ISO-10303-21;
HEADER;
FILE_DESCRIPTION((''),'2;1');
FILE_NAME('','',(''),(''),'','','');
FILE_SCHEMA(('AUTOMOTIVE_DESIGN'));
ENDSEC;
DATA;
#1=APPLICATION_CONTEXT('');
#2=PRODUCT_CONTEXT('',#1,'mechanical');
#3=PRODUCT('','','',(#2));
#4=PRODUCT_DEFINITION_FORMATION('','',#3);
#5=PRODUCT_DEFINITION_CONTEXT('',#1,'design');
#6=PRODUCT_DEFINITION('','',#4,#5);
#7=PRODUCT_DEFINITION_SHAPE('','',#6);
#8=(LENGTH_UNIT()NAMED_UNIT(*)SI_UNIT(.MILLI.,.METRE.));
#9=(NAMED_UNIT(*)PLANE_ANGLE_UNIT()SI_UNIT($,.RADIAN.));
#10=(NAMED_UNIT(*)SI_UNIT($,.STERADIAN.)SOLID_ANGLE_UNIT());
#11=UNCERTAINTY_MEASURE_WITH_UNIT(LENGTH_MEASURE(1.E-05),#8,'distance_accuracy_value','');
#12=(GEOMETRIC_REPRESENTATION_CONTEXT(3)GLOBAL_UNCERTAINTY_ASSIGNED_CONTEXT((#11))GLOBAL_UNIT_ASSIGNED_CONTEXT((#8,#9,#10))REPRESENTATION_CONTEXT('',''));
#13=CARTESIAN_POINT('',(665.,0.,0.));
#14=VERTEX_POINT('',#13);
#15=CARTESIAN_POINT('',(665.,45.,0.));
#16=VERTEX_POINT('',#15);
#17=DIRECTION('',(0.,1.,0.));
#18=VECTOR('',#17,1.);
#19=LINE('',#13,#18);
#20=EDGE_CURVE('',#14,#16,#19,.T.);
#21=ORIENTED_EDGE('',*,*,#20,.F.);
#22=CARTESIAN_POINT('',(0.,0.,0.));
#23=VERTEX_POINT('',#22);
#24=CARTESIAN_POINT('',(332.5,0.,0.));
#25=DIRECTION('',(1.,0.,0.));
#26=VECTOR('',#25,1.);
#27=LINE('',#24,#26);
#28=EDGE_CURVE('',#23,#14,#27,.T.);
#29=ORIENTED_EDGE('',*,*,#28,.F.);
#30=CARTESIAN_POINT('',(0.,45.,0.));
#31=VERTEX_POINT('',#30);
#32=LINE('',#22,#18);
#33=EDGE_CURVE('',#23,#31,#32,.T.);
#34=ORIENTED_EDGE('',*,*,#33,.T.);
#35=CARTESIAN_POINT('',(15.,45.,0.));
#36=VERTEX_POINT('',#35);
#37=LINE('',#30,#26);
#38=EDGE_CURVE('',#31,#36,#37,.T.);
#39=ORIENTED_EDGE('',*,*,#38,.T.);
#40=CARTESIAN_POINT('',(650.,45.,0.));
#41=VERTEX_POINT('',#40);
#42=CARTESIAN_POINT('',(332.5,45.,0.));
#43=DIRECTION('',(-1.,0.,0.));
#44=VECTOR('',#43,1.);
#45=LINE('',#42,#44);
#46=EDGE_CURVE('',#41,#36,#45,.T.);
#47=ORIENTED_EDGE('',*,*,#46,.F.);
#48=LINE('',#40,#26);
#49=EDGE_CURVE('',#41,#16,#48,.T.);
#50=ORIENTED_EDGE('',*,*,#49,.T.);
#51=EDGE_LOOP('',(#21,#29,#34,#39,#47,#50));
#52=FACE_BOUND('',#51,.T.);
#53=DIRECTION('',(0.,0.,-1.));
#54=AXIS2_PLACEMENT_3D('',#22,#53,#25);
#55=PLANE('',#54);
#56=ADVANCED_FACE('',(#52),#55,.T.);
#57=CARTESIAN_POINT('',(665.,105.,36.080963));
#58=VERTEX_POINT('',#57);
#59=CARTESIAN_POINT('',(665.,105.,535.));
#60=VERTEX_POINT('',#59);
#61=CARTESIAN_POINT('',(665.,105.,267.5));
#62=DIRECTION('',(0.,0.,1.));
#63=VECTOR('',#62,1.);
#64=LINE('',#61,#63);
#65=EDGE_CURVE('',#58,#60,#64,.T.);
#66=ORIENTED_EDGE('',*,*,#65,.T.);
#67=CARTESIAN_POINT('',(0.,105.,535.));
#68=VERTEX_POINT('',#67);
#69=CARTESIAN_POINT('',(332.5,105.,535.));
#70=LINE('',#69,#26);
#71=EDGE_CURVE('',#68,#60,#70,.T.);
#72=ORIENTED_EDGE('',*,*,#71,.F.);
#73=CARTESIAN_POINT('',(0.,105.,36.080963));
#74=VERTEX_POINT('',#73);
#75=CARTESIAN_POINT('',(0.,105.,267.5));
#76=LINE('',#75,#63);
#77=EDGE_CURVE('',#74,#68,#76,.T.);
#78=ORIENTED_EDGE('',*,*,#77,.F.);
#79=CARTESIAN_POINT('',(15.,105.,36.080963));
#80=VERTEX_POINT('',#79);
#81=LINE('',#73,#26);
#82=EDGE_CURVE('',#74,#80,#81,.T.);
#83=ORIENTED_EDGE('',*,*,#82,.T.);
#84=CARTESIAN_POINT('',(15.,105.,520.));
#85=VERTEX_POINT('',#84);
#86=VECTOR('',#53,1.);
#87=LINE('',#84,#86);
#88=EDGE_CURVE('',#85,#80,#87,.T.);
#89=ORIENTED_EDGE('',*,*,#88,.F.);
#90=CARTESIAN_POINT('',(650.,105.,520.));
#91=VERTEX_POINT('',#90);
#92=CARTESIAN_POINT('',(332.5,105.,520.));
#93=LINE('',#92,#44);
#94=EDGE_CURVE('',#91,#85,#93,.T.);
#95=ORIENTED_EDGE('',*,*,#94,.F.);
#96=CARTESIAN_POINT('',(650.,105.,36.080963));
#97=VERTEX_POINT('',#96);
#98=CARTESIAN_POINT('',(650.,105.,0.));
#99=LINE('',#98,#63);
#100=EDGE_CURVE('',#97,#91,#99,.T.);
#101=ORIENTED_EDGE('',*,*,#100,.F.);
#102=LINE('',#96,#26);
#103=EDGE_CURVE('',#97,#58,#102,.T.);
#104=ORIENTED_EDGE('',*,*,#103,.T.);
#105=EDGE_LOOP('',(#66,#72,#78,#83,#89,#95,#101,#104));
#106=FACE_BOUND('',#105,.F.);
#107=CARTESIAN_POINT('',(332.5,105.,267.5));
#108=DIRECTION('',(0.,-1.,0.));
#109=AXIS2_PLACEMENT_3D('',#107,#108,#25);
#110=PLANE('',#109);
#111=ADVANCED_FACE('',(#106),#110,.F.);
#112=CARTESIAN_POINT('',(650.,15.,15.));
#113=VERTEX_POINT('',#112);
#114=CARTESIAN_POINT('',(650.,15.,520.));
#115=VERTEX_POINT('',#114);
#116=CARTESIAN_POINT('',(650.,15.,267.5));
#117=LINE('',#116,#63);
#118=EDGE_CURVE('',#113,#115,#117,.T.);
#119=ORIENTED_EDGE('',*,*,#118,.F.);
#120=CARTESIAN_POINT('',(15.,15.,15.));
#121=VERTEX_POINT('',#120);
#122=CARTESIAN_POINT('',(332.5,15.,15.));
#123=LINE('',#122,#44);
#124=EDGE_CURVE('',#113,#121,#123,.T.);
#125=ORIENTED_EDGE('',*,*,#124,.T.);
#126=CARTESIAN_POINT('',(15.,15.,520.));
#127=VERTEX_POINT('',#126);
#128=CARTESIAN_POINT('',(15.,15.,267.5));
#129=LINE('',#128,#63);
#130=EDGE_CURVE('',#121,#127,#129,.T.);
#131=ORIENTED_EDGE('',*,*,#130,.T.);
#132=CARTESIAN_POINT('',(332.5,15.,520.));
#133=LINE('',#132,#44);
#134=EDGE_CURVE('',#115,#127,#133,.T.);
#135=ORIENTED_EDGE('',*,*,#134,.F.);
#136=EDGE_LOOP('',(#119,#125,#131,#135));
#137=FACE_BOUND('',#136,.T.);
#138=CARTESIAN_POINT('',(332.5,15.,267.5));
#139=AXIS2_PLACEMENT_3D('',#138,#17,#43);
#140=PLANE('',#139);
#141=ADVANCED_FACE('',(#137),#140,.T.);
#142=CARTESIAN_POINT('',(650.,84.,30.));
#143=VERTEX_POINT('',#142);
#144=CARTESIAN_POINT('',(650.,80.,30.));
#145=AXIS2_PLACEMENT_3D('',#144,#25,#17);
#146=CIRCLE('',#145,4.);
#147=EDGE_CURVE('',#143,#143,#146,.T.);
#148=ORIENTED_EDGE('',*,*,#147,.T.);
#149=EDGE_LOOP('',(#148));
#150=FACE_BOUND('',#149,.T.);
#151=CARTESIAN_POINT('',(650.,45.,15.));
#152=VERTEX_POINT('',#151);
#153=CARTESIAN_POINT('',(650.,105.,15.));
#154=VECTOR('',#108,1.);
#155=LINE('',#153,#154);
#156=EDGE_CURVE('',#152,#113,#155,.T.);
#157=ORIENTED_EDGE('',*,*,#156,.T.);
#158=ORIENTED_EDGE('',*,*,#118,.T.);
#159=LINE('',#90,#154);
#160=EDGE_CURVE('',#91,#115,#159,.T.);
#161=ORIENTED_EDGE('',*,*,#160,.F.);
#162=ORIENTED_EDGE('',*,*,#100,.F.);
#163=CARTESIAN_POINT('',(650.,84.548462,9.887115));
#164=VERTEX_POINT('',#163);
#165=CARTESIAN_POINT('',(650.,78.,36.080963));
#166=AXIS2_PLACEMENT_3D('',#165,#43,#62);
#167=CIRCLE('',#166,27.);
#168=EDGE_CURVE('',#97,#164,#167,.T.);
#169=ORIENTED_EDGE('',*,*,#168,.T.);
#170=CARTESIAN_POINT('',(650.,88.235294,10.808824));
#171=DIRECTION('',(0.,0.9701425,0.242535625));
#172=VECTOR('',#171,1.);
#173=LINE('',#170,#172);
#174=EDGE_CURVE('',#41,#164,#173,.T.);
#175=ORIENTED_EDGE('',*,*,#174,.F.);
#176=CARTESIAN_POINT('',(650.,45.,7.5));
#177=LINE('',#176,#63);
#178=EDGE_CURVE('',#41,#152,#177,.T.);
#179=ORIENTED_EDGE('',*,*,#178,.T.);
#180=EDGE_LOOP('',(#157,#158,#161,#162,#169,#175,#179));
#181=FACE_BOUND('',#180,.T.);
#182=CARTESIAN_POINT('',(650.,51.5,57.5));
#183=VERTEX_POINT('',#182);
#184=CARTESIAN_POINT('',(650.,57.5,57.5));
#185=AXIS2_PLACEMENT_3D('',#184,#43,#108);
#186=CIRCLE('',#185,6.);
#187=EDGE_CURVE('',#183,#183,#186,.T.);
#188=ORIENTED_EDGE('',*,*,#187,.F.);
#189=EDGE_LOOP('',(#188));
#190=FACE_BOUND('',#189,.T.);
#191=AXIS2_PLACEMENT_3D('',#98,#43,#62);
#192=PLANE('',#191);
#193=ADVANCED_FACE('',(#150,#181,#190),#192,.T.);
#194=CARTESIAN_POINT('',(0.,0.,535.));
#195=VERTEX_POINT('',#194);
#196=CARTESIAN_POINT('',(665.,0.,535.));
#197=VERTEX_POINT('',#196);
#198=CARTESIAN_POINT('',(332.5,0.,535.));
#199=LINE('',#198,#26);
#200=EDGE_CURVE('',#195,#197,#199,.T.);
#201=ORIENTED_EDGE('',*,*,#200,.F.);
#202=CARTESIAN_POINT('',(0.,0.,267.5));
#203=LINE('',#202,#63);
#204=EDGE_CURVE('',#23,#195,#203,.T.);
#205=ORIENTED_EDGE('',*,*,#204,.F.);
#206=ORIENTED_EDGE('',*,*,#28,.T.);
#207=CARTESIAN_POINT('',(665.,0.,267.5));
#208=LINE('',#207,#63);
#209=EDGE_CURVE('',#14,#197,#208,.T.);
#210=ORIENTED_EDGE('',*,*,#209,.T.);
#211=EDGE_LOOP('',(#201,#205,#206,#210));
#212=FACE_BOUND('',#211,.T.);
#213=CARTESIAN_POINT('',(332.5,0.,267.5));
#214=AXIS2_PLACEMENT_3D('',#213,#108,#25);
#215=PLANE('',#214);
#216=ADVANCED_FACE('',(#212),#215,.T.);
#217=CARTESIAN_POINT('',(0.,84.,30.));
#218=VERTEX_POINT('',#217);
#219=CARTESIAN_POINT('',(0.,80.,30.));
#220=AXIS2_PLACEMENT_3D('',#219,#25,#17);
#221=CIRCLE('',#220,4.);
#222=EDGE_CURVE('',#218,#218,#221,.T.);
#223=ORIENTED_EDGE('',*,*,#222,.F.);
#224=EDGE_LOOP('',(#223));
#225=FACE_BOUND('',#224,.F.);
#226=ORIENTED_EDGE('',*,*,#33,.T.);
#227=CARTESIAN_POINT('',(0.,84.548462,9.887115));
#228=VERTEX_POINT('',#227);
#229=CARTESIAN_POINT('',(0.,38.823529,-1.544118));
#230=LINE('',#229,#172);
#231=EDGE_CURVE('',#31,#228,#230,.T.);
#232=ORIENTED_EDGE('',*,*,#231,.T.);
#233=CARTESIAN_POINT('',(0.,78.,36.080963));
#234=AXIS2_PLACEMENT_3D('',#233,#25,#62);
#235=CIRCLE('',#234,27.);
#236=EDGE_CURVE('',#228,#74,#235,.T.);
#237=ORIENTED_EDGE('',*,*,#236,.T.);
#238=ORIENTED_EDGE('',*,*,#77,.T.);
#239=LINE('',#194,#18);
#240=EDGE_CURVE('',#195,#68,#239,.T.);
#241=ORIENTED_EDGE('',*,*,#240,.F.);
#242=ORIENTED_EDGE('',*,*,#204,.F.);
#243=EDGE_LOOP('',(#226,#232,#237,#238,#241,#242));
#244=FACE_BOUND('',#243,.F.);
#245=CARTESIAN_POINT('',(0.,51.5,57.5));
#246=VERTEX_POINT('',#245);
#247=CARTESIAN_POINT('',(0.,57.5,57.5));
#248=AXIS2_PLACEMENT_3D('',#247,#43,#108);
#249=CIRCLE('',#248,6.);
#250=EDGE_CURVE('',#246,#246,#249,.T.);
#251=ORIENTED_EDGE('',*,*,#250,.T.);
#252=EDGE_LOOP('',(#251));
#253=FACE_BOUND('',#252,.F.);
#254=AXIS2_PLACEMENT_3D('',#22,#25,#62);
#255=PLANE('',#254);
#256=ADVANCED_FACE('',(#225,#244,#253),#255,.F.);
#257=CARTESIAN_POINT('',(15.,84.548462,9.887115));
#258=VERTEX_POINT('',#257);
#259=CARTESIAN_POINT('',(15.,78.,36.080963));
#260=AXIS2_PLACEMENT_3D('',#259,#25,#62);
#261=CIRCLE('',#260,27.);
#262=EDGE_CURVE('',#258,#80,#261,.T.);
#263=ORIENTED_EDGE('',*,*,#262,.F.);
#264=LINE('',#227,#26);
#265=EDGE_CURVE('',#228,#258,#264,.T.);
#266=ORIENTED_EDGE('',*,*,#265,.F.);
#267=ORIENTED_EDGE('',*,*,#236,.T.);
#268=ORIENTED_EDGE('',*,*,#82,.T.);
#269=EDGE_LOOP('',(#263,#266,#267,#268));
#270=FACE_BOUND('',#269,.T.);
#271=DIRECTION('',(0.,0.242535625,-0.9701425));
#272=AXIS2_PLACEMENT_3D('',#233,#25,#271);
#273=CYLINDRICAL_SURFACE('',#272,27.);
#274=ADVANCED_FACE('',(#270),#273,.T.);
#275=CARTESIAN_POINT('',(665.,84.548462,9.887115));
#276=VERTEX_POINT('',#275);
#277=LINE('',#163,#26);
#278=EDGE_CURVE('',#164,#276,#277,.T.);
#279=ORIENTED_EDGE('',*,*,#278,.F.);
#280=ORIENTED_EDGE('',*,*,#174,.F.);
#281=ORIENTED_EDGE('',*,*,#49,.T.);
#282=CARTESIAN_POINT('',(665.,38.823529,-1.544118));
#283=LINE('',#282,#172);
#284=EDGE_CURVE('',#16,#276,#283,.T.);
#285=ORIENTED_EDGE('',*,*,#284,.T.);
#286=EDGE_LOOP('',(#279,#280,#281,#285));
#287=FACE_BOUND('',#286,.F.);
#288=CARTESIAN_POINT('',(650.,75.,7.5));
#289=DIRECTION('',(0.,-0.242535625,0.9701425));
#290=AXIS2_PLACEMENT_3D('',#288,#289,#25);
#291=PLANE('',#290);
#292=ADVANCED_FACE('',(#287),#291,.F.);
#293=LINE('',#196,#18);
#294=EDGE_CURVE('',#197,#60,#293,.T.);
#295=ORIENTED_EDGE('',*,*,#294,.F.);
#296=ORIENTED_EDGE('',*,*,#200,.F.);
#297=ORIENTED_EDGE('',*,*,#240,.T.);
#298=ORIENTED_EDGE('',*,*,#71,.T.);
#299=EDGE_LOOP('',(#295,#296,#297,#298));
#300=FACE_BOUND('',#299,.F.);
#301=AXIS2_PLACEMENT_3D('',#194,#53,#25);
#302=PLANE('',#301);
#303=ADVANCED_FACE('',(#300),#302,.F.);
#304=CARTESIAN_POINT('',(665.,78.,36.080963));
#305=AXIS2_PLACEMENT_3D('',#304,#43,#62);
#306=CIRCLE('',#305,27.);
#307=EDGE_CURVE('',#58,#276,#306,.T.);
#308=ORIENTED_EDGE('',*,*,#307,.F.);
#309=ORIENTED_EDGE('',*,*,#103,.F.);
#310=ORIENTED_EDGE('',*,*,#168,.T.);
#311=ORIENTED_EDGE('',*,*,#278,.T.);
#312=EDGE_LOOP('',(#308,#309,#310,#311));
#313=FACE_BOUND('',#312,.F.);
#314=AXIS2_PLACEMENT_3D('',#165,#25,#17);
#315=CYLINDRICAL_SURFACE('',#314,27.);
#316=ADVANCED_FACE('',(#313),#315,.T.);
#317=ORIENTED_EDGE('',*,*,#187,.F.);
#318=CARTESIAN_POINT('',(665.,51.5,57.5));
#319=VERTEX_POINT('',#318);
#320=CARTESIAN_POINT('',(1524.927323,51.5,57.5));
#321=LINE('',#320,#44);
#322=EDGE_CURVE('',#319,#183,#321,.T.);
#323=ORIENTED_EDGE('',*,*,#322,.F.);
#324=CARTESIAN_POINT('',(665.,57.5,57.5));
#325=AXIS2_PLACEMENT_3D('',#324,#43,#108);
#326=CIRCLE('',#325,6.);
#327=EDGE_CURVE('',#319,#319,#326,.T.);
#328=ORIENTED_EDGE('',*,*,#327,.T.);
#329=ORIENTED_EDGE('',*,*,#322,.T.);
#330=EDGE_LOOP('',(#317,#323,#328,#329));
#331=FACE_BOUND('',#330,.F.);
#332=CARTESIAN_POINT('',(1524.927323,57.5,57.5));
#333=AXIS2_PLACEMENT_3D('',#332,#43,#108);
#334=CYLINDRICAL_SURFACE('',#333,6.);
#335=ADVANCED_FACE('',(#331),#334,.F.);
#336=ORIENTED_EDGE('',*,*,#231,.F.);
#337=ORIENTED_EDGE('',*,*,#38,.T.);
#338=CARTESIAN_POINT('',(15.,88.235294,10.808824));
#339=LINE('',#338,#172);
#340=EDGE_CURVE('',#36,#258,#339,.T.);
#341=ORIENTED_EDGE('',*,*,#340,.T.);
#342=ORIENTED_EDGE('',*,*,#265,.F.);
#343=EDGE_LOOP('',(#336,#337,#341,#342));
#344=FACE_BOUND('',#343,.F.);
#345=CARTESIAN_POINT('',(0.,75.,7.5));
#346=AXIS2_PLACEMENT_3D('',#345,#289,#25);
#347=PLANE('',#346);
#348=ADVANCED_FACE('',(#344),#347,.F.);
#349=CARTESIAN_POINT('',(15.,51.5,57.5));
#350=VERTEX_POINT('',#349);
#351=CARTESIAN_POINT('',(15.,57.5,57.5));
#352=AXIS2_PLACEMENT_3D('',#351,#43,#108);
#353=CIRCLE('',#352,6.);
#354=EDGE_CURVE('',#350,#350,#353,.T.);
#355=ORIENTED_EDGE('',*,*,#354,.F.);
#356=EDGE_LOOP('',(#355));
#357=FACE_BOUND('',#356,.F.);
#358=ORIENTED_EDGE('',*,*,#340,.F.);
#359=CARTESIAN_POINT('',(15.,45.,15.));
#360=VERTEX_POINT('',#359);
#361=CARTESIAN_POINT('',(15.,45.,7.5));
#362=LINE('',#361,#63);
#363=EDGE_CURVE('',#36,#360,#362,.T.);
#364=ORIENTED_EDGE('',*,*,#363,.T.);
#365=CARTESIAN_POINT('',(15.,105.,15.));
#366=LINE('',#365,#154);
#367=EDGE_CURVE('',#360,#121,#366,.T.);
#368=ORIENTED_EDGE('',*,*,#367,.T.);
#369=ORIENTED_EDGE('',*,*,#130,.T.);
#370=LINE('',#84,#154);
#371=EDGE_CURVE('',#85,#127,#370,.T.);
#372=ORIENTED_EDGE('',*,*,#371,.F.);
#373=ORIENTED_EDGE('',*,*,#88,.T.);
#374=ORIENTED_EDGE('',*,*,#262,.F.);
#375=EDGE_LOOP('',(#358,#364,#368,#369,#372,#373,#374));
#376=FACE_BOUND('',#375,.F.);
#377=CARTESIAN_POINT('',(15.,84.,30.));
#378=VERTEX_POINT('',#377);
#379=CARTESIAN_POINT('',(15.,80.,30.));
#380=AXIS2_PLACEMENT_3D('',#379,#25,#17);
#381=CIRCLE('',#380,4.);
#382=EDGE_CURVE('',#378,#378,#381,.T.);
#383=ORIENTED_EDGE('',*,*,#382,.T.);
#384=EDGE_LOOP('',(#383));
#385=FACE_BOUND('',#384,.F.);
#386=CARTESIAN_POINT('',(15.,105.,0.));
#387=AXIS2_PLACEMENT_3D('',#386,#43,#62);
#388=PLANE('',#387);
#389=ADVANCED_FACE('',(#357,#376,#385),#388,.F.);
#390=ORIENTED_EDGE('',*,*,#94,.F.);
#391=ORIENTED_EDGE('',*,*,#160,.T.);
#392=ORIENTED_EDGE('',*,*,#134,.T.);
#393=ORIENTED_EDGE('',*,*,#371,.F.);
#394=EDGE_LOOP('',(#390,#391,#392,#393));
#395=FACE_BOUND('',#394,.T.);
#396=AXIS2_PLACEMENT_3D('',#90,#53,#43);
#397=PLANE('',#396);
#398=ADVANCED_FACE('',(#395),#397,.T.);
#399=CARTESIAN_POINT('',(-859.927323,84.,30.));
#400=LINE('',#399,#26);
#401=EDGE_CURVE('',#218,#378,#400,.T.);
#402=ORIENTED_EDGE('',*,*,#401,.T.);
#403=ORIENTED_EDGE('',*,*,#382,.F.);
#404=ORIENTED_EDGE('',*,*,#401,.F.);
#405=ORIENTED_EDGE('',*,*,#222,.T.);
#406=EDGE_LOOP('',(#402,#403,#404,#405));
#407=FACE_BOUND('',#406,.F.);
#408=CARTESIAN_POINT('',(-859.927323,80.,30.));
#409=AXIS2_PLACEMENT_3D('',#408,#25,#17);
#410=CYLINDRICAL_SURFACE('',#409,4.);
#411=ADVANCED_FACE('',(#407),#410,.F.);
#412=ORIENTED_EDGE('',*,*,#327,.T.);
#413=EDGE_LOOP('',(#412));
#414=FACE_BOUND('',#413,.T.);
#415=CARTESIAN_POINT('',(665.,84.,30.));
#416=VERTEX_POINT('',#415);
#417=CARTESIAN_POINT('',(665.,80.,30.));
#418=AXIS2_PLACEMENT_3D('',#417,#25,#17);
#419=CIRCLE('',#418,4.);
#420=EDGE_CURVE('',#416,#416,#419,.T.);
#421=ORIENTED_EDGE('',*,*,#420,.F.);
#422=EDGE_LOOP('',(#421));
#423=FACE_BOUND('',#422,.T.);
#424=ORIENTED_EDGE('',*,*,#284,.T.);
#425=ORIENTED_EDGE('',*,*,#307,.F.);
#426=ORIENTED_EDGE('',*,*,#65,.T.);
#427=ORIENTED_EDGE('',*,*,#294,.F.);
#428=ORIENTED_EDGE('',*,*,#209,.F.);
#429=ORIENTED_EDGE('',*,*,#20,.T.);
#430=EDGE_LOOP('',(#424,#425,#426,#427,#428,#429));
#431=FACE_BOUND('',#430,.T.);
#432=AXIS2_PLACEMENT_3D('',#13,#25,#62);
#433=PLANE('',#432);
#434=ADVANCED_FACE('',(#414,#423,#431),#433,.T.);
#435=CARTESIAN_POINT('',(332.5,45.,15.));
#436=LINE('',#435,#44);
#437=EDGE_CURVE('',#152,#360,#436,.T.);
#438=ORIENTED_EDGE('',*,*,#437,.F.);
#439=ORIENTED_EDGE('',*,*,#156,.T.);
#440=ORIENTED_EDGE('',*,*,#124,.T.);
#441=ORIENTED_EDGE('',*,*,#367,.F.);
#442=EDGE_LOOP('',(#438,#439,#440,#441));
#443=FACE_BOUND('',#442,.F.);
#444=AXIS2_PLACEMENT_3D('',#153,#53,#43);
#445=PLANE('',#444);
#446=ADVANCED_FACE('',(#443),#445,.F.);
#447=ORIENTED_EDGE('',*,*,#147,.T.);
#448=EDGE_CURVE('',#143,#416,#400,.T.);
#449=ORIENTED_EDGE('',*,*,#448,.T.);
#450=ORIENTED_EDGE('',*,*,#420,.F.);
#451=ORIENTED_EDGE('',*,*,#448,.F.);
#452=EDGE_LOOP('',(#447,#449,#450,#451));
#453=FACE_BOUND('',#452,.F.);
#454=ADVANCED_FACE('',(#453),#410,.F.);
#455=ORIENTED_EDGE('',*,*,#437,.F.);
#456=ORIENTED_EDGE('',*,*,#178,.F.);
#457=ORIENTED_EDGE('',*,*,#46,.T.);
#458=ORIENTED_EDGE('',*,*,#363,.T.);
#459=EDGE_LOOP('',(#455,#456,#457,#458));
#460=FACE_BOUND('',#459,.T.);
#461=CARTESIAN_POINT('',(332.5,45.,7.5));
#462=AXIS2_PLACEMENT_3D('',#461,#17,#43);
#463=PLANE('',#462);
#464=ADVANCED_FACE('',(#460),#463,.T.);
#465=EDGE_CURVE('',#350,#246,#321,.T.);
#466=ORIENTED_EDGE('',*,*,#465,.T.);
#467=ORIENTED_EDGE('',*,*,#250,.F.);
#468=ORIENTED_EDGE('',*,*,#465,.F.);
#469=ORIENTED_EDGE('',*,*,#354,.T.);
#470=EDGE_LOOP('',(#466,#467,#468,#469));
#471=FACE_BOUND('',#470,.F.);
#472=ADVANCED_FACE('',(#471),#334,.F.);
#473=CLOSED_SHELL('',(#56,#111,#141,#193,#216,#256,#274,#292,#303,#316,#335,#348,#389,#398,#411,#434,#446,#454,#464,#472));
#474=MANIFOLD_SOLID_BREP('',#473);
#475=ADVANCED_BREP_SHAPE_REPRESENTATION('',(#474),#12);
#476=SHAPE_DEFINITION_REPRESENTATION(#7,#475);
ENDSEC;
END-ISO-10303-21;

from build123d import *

# Parameters (mm, degrees)
F0_W     = 665
F0_H     = 535
F1_DEPTH = 105
F2_W     = 635
F2_H     = 505
F3_DEPTH = 90
F5_D     = 12
F6_W     = 635
F6_H     = 15
F7_DEPTH = 60
F8_SIZE2 = 15
F8_SIZE  = 60
F9_R     = 27
F11_D    = 8


with BuildPart() as f1:
    # F0 (on Front) → F1 (new body)
    with BuildSketch(Plane.XZ):
        with Locations((332.5, 267.5)):
            Rectangle(F0_W, F0_H)
    extrude(amount=-F1_DEPTH)

    # F2 (on face) → F3 (cut, through all)
    with BuildSketch(Plane(origin=(0, 105, 0), x_dir=(-1, 0, 0), z_dir=(0, 1, 0))):
        with Locations((-332.5, 267.5)):
            Rectangle(F2_W, F2_H)
    extrude(amount=-F3_DEPTH, mode=Mode.SUBTRACT)

    # F5 (through all)
    with Locations(Plane.YZ.offset(665)):
        with Locations((57.5, 57.5)):
            Hole(F5_D / 2)

    # F6 (on face) → F7 (cut)
    with BuildSketch(Plane(origin=(0, 105, 0), x_dir=(-1, 0, 0), z_dir=(0, 1, 0))):
        with Locations((-332.5, 7.5)):
            Rectangle(F6_W, F6_H)
    extrude(amount=-F7_DEPTH, mode=Mode.SUBTRACT)

    # F8
    f8_edges = [f1.edges().sort_by_distance(p)[0] for p in [
        (657.5, 105, 0),
        (7.5, 105, 0),
    ]]
    f8_side = f1.faces().sort_by_distance((332.5, 25.478723, 0))[0]
    chamfer(f8_edges, length=F8_SIZE, length2=F8_SIZE2, reference=f8_side)

    # F9
    f9_edges = [f1.edges().sort_by_distance(p)[0] for p in [
        (657.5, 105, 15),
        (7.5, 105, 15),
    ]]
    fillet(f9_edges, radius=F9_R)

    # F11 (through all)
    with Locations(Plane(origin=(0, 0, 0), x_dir=(0, -1, 0), z_dir=(-1, 0, 0))):
        with Locations((-80, 30)):
            Hole(F11_D / 2)


solid = f1.part
